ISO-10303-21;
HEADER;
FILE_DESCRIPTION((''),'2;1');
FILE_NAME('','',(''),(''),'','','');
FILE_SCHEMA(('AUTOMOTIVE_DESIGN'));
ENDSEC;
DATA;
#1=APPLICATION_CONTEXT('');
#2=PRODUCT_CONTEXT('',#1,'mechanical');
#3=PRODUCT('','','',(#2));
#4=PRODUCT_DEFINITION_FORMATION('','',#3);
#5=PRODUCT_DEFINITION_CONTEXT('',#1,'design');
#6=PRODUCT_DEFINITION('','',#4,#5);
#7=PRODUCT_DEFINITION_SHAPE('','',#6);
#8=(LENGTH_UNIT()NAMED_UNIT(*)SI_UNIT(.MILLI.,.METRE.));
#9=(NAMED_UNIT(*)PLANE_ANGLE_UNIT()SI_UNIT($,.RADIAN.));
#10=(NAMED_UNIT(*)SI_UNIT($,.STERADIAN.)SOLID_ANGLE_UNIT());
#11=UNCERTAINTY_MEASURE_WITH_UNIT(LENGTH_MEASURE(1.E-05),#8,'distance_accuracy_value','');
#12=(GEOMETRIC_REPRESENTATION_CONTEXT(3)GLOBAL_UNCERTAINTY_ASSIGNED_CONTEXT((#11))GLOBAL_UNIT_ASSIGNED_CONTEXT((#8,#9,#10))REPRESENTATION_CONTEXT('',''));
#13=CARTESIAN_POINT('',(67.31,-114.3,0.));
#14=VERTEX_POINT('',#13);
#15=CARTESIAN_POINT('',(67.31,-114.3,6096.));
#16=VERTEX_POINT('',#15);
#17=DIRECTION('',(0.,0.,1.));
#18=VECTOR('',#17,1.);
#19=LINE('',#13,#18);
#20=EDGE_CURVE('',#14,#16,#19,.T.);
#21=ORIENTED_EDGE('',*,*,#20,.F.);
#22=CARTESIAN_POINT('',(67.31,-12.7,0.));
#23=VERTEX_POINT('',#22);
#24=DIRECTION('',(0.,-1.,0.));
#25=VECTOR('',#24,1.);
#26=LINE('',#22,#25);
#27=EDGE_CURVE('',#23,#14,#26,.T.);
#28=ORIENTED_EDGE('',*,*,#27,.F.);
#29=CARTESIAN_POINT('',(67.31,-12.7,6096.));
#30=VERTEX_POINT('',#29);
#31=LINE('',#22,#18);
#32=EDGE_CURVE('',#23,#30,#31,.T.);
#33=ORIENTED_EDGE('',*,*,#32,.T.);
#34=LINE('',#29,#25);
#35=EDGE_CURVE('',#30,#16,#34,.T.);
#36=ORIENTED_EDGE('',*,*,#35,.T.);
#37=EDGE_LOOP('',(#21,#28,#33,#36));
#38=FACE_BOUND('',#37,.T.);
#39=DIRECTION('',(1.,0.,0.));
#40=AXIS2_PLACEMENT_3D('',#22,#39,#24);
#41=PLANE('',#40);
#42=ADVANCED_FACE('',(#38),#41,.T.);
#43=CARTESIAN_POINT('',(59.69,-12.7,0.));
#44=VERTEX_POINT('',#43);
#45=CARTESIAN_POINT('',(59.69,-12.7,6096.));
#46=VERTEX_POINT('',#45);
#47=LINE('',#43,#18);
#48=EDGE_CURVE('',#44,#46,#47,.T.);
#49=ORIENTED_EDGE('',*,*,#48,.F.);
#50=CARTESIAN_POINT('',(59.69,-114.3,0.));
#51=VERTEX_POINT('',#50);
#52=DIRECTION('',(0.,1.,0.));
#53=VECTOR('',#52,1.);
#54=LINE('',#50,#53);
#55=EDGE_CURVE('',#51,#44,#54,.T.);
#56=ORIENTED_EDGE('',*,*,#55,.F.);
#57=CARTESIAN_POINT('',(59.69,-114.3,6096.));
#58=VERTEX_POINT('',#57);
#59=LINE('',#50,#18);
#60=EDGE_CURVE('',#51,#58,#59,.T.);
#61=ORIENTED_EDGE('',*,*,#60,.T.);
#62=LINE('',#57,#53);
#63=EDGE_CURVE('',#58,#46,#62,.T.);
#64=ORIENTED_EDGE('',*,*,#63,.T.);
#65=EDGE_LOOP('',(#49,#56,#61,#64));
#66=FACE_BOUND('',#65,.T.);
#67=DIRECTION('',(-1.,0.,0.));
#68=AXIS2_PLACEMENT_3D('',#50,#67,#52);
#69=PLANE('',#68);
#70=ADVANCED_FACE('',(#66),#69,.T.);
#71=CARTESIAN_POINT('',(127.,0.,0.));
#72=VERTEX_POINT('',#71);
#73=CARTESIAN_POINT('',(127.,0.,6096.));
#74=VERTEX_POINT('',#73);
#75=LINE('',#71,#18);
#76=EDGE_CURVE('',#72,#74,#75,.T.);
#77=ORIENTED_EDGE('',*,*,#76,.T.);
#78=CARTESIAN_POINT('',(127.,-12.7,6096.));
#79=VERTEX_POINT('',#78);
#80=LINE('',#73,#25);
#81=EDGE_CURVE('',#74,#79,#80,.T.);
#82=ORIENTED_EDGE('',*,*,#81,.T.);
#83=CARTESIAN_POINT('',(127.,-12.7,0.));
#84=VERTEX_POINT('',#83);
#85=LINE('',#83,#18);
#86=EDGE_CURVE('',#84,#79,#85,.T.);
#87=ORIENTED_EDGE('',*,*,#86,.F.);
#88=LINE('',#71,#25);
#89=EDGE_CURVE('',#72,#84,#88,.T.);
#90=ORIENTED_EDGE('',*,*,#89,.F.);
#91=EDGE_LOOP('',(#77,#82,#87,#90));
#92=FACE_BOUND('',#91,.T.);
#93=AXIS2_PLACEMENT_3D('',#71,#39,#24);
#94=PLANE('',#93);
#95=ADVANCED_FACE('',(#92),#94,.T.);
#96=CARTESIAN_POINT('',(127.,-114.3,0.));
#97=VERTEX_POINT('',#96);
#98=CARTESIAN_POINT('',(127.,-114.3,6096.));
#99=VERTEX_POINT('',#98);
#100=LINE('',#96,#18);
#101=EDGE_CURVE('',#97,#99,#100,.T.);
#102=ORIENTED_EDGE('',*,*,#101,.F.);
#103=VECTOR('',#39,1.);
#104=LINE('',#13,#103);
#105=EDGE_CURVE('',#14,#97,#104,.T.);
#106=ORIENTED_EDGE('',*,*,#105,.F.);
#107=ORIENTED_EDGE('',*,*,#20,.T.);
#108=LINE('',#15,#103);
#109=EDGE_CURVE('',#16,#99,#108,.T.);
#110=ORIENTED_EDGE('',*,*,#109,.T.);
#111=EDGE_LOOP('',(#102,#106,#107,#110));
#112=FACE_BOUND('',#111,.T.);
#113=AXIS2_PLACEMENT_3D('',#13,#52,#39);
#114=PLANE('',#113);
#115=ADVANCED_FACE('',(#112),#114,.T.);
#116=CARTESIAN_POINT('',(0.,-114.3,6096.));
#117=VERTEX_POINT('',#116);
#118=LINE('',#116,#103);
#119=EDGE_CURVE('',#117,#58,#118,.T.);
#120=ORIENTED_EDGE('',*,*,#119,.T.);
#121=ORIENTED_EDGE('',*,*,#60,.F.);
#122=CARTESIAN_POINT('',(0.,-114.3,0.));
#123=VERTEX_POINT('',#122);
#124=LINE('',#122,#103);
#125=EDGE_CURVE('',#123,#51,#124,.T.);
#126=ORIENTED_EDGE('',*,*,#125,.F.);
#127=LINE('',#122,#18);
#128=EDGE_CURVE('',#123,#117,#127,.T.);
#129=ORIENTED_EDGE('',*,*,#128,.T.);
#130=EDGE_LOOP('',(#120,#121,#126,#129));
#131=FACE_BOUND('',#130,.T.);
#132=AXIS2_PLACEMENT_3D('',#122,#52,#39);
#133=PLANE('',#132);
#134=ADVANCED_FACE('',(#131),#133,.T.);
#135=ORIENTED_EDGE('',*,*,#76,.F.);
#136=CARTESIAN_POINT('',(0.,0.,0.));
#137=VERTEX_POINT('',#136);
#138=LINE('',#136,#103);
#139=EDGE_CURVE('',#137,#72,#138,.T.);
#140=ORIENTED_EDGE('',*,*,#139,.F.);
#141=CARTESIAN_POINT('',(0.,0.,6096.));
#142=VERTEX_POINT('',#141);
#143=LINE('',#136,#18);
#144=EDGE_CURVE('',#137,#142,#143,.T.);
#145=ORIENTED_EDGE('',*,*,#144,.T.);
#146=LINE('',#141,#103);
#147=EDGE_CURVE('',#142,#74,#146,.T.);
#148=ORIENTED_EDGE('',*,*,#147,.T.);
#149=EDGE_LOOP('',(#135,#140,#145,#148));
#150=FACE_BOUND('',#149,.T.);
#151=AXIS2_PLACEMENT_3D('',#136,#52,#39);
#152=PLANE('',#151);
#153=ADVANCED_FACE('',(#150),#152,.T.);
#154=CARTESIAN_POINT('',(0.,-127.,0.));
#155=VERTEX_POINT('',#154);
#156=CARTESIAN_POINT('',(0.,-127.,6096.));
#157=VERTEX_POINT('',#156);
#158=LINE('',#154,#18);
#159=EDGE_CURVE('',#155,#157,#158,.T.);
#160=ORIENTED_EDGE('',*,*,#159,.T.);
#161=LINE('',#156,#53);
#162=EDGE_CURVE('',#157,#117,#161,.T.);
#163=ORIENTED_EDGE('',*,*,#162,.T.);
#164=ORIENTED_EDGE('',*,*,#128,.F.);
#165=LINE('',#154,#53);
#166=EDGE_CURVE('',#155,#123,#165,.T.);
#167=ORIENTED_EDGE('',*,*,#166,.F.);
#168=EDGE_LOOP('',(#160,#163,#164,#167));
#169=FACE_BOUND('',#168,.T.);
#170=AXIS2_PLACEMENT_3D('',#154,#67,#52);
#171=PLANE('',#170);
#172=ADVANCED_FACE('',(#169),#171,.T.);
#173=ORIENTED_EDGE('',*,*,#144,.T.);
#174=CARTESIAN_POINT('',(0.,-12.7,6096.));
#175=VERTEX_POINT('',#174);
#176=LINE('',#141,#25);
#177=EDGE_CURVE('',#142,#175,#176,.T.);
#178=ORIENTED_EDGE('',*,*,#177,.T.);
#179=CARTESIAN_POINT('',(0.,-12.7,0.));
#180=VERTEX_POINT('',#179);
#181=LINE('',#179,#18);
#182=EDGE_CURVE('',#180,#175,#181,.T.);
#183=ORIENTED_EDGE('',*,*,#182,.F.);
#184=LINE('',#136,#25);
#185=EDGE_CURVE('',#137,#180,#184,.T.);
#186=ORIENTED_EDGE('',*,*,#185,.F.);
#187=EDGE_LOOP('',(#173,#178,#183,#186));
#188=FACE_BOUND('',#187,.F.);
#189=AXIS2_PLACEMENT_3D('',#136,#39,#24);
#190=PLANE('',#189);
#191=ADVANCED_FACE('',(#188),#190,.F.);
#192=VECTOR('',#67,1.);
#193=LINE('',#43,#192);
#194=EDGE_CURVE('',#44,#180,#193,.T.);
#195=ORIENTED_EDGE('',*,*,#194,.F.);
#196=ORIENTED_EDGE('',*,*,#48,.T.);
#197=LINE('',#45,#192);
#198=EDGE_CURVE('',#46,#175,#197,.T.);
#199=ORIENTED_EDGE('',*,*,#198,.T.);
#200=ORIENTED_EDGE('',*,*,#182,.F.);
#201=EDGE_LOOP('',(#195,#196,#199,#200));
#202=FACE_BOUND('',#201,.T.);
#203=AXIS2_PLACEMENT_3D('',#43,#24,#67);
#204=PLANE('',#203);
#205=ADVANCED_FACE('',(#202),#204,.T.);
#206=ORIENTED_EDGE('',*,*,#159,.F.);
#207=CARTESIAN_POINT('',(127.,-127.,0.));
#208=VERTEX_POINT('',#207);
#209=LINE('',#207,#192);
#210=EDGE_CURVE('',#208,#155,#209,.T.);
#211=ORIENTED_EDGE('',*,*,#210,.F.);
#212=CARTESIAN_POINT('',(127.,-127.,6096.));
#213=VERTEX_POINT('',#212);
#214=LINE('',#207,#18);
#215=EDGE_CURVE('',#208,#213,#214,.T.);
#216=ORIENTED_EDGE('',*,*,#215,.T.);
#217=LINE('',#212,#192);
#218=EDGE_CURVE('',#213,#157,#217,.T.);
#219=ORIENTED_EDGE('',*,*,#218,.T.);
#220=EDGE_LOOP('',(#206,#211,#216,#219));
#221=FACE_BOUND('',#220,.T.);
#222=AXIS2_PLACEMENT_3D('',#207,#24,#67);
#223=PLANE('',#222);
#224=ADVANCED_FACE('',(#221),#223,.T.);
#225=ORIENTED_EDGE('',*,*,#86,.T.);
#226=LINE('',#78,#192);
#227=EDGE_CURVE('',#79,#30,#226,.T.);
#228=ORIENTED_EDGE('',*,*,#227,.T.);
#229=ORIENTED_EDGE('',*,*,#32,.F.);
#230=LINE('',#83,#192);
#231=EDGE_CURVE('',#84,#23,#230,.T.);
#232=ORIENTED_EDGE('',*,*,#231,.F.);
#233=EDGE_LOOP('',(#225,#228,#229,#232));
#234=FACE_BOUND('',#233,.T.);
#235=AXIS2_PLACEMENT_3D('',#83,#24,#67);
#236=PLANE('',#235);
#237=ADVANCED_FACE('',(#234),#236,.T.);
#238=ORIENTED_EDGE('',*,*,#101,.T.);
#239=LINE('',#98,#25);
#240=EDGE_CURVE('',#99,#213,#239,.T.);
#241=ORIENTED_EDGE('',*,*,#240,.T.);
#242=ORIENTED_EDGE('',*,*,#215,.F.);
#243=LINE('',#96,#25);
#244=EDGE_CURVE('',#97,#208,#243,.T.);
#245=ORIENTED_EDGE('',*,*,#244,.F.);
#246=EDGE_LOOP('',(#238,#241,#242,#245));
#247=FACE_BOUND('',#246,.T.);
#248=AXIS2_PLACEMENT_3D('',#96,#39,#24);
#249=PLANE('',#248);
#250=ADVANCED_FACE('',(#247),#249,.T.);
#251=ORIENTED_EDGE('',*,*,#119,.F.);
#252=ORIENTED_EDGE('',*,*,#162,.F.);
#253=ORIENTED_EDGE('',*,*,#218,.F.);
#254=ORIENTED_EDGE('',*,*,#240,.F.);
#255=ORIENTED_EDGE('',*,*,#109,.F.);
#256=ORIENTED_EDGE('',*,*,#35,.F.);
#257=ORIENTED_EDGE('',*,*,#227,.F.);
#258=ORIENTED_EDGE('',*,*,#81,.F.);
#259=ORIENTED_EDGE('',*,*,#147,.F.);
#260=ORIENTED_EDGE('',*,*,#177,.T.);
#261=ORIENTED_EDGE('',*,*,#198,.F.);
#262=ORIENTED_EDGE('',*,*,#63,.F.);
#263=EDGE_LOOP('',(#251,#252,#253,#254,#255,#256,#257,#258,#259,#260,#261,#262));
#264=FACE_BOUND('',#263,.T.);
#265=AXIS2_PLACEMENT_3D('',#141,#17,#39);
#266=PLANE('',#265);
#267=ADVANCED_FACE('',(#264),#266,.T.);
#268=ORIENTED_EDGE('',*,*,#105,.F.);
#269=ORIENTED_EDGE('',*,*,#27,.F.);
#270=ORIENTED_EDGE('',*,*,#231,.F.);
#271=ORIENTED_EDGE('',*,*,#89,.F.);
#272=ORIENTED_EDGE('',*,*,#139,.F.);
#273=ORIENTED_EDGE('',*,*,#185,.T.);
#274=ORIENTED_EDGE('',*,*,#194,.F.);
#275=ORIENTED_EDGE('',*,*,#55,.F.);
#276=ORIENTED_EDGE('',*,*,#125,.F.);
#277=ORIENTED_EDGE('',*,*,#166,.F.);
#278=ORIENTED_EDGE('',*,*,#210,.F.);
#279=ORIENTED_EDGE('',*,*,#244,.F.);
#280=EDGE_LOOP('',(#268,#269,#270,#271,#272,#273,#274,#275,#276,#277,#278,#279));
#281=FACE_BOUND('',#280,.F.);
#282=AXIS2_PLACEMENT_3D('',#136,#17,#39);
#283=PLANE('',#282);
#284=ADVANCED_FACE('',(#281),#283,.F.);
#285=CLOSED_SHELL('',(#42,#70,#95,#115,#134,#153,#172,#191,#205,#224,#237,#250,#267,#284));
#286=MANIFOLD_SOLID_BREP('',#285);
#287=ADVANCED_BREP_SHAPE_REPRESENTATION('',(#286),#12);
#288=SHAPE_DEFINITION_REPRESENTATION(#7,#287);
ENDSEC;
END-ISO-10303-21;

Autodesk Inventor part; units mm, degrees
ref_plane "YZ Plane" through (0, 0, 0) normal (1, 0, 0) x (0, 1, 0)
ref_plane "XZ Plane" through (0, 0, 0) normal (0, 1, 0) x (-1, 0, 0)
ref_plane "XY Plane" through (0, 0, 0) normal (0, 0, 1) x (1, 0, 0)
sketch "Sketch2" plane through (0, 0, 0) normal (0, 0, 1) x (1, 0, 0)
  line L0 (0, 0) -> (127, 0)
  line L1 (127, 0) -> (127, -12.7)
  line L2 (127, -12.7) -> (67.31, -12.7)
  line L3 (67.31, -12.7) -> (67.31, -114.3)
  line L4 (67.31, -114.3) -> (127, -114.3)
  line L5 (127, -114.3) -> (127, -127)
  line L6 (127, -127) -> (0, -127)
  line L7 (0, -127) -> (0, -114.3)
  line L8 (0, -114.3) -> (59.69, -114.3)
  line L9 (59.69, -114.3) -> (59.69, -12.7)
  line L10 (59.69, -12.7) -> (0, -12.7)
  line L11 (0, 0) -> (0, -12.7)
  dimension "d11" = 12.7
  dimension "d12" = 127
  dimension "d13" = 127
  dimension "d14" = 12.7
  dimension "d15" = 59.69
  dimension "d16" = 59.69
extrude "Extrusion1" add sketch "Sketch2" along normal blind 6096
properties part number "SpaceX Track"
